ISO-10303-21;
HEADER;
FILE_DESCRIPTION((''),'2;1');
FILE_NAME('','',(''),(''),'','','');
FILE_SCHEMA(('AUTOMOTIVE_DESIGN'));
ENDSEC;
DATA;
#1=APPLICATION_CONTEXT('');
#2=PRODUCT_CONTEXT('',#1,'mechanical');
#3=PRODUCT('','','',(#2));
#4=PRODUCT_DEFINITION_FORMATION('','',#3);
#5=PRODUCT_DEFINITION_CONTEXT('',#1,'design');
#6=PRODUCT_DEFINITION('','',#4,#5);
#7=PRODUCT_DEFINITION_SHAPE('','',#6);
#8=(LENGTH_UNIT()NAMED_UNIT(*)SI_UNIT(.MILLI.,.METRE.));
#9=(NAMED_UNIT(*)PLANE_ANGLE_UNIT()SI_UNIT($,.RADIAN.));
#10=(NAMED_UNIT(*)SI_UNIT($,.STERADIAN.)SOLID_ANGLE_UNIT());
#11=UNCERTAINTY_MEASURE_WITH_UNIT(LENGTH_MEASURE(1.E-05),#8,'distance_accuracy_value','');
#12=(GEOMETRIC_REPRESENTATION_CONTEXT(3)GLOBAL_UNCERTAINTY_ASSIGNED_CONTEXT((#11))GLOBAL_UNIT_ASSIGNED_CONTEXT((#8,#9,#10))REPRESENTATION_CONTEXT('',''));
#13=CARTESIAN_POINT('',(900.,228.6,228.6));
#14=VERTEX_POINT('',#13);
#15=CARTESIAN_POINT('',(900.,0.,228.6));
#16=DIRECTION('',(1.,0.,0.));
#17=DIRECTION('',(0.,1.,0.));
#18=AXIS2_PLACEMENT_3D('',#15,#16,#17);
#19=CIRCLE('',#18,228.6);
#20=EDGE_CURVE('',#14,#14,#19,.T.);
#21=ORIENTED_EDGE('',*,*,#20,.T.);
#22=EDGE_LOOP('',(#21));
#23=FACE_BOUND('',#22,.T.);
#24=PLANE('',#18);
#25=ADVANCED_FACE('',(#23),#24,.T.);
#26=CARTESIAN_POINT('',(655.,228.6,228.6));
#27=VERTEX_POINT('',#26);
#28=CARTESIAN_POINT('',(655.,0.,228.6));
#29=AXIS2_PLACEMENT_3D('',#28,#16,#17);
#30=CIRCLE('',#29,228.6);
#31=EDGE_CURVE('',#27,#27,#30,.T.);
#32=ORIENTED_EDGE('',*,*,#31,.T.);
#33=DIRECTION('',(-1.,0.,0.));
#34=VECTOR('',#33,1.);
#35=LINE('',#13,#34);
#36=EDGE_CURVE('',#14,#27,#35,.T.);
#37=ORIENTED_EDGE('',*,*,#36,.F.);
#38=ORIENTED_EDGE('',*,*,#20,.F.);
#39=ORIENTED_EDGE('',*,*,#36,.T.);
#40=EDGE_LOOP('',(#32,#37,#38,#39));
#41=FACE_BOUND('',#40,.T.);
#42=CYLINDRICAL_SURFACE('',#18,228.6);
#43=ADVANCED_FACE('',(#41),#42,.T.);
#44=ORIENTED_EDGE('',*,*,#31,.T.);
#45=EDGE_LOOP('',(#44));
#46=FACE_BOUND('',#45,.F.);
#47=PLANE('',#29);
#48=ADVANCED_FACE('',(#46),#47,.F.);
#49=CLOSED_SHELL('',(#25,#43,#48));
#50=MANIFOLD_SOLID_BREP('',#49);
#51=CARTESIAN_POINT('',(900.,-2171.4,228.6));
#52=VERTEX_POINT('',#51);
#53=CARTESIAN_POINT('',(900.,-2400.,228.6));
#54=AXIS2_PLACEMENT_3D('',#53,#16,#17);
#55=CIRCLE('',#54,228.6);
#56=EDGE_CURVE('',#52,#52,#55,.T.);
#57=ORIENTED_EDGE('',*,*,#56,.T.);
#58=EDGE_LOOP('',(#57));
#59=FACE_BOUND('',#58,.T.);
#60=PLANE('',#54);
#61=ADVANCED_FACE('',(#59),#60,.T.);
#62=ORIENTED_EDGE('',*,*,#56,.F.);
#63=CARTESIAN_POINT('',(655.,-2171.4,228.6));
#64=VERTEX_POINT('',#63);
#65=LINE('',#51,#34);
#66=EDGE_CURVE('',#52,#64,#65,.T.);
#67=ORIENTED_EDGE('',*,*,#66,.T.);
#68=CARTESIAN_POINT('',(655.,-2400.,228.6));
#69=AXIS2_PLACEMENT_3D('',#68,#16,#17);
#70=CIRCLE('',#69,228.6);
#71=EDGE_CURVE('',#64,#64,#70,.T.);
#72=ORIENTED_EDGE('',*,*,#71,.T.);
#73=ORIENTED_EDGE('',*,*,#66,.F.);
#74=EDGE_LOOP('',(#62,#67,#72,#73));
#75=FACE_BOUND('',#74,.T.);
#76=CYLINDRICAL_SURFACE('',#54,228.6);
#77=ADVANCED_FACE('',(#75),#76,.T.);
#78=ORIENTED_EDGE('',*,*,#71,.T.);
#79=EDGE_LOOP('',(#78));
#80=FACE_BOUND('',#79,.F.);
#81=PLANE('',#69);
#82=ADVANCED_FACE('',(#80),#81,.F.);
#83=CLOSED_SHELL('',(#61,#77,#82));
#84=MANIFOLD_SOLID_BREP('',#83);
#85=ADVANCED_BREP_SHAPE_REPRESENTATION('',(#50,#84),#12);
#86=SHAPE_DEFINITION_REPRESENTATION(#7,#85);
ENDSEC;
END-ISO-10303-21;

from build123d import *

# Parameters (mm, degrees)
F6_R     = 228.6
F7_DEPTH = 245
F5_R     = 228.6
F8_DEPTH = 245


with BuildPart() as f7:
    # F6 (on plane+point) → F7 (new body, through all)
    with BuildSketch(Plane.YZ.offset(900)):
        with Locations((-2400, 228.6)):
            Circle(F6_R)
    extrude(amount=-F7_DEPTH)


with BuildPart() as f8:
    # F5 (on plane+point) → F8 (new body, through all)
    with BuildSketch(Plane.YZ.offset(900)):
        with Locations((0, 228.6)):
            Circle(F5_R)
    extrude(amount=-F8_DEPTH)


solid = Compound([f7.part, f8.part])
